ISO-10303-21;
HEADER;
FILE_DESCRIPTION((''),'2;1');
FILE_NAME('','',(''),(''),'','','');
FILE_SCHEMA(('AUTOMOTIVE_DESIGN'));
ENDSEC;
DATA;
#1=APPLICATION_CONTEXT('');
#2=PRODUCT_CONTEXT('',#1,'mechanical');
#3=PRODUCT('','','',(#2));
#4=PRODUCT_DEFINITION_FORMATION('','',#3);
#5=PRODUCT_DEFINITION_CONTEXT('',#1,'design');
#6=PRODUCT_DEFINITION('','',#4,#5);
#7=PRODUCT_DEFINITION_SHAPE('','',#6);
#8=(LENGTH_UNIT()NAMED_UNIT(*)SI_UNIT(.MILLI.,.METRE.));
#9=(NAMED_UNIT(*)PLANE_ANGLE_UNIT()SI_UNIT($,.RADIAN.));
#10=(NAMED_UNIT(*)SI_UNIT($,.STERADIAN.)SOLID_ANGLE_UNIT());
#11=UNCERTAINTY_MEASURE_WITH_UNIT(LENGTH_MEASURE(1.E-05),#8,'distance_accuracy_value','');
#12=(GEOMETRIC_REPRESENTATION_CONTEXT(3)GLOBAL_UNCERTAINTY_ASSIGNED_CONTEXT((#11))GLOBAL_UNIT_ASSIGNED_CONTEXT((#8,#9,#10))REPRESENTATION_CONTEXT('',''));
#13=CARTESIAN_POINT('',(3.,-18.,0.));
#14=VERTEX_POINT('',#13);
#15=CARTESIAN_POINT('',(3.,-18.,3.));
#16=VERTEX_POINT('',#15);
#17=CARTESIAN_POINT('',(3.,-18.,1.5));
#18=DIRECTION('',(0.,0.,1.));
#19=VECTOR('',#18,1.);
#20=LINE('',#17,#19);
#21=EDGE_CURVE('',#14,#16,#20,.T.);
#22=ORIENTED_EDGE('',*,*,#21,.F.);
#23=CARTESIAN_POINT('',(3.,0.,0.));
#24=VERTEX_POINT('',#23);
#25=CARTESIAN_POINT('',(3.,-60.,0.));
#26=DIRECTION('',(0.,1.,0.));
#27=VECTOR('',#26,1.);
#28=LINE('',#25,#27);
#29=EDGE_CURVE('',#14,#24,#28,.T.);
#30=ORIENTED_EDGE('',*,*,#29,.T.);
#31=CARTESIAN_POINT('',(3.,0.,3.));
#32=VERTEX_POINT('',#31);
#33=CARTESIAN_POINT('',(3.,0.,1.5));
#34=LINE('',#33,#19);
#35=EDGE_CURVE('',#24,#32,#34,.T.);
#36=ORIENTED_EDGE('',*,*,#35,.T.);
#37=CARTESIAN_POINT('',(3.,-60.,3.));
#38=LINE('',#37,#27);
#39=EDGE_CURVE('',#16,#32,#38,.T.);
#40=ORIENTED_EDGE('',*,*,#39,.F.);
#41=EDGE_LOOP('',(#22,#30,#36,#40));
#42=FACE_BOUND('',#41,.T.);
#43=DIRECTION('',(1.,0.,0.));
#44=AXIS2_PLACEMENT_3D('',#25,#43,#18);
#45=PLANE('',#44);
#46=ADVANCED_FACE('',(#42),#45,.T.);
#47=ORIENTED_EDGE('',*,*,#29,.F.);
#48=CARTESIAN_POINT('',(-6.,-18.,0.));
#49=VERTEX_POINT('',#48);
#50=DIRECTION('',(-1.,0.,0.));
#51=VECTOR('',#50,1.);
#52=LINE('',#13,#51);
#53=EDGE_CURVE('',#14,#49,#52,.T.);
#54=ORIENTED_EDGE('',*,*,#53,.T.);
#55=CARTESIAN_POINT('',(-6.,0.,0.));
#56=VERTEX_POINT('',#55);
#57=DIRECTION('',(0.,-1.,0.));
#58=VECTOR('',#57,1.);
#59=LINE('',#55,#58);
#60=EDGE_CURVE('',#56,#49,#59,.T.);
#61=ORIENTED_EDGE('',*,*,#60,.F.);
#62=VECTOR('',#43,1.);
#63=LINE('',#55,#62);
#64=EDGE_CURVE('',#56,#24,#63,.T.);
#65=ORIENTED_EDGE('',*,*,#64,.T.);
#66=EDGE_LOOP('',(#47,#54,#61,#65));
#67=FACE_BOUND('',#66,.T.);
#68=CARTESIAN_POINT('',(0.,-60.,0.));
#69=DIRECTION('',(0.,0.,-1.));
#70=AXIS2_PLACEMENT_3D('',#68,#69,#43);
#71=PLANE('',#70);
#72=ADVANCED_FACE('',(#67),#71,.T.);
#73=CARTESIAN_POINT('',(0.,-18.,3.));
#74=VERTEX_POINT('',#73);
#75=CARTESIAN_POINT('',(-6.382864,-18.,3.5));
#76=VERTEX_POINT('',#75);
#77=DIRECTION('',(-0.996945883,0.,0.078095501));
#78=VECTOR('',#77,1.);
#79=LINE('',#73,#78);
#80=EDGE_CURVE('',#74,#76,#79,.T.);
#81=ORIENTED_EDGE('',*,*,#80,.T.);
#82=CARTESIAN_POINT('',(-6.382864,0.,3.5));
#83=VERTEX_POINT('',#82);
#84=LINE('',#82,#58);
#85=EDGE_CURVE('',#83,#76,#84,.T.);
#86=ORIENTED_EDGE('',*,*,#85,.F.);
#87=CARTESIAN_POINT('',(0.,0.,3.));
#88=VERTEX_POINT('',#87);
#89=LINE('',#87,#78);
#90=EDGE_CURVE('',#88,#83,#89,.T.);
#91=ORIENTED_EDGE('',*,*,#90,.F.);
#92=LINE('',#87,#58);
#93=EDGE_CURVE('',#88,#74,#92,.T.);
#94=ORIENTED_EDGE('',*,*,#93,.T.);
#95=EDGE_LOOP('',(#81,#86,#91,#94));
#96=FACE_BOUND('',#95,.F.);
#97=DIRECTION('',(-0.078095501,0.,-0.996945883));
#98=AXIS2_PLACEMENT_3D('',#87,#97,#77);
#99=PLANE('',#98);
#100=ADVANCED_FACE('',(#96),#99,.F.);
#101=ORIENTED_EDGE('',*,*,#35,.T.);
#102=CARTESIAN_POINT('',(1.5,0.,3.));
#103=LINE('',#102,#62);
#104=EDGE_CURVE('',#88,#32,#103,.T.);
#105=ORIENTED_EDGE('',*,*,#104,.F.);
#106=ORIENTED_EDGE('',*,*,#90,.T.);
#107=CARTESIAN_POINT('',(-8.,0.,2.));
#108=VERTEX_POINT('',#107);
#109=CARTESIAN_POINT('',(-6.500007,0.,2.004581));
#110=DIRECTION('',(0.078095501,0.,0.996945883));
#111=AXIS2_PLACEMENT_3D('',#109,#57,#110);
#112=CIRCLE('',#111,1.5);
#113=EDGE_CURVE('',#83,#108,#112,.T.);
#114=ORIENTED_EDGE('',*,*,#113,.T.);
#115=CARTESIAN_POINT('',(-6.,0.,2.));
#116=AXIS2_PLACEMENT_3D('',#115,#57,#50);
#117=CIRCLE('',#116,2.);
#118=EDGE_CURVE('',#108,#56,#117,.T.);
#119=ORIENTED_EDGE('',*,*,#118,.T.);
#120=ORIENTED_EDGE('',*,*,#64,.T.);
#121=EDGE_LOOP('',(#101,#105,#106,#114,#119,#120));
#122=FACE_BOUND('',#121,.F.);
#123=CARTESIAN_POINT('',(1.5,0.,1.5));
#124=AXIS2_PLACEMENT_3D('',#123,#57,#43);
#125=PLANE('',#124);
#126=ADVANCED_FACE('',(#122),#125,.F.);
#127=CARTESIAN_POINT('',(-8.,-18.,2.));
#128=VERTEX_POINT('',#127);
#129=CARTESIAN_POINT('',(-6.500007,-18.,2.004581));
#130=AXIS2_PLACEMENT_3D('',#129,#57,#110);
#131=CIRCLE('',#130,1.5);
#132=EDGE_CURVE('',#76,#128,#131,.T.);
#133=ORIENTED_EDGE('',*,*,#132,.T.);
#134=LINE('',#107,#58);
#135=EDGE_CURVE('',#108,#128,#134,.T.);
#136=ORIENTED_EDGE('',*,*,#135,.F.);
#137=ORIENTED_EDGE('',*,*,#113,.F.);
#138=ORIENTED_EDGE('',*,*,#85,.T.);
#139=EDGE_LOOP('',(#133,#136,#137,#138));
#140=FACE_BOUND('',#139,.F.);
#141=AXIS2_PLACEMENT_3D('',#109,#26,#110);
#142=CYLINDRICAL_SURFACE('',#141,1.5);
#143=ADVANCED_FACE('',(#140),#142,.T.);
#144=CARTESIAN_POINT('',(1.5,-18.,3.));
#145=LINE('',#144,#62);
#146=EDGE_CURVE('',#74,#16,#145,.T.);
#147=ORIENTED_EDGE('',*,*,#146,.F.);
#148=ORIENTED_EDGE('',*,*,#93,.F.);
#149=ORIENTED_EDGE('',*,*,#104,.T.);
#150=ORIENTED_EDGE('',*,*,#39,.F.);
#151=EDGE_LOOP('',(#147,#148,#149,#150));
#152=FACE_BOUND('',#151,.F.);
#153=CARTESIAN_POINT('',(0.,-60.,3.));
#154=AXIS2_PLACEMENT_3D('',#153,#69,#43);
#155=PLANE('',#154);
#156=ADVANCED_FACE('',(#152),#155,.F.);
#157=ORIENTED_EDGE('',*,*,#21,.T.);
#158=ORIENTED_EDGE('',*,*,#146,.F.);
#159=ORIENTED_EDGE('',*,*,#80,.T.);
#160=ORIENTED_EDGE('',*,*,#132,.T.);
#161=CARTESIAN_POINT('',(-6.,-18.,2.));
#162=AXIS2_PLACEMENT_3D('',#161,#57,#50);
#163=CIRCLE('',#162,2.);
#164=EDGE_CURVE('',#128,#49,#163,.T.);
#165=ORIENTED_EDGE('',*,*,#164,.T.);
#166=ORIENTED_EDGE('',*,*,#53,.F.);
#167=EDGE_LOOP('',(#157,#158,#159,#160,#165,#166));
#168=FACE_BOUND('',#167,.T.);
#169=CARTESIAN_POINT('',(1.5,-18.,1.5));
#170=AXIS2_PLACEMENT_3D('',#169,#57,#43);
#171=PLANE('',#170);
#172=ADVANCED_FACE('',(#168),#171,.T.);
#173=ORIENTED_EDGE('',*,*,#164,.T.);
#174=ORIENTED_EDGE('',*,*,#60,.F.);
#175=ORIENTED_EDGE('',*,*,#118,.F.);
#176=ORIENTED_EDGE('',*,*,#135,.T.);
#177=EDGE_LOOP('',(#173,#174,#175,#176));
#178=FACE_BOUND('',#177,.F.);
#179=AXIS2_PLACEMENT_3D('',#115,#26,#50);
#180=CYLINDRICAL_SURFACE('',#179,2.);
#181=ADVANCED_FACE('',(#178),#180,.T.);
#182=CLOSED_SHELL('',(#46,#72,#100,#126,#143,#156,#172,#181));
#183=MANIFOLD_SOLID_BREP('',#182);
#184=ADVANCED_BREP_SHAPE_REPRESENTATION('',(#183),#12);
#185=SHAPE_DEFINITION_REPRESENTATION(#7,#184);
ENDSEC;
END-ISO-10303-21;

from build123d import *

# Parameters (mm, degrees)
F1_DEPTH = 60
F2_W     = 3
F2_H     = 3
F3_DEPTH = 60
F4_DEPTH = 42


with BuildPart() as f1:
    # F0 (on Front) → F1 (new body)
    with BuildSketch(Plane.XZ):
        with BuildLine():
            Line((-6, 0), (0, 0))
            Line((0, 0), (0, 3))
            Line((0, 3), (-6.3828637444, 3.5))
            ThreePointArc((-6.3828637444, 3.5), (-7.5200895217, 3.1043228005), (-8, 2))
            ThreePointArc((-8, 2), (-7.4142135624, 0.5857864376), (-6, 0))
        make_face()
    extrude(amount=F1_DEPTH)

    # F2 (on face) → F3 (join)
    with BuildSketch(Plane.XZ.offset(60)):
        with Locations((1.5, 1.5)):
            Rectangle(F2_W, F2_H)
    extrude(amount=-F3_DEPTH)

    # F4 (cut): a face of the model
    f4_faces = [f1.faces().sort_by_distance(p)[0] for p in [
        (-2.4940313384, -60, 1.6228930979),
    ]]
    extrude(f4_faces, amount=-F4_DEPTH, mode=Mode.SUBTRACT)


solid = f1.part
